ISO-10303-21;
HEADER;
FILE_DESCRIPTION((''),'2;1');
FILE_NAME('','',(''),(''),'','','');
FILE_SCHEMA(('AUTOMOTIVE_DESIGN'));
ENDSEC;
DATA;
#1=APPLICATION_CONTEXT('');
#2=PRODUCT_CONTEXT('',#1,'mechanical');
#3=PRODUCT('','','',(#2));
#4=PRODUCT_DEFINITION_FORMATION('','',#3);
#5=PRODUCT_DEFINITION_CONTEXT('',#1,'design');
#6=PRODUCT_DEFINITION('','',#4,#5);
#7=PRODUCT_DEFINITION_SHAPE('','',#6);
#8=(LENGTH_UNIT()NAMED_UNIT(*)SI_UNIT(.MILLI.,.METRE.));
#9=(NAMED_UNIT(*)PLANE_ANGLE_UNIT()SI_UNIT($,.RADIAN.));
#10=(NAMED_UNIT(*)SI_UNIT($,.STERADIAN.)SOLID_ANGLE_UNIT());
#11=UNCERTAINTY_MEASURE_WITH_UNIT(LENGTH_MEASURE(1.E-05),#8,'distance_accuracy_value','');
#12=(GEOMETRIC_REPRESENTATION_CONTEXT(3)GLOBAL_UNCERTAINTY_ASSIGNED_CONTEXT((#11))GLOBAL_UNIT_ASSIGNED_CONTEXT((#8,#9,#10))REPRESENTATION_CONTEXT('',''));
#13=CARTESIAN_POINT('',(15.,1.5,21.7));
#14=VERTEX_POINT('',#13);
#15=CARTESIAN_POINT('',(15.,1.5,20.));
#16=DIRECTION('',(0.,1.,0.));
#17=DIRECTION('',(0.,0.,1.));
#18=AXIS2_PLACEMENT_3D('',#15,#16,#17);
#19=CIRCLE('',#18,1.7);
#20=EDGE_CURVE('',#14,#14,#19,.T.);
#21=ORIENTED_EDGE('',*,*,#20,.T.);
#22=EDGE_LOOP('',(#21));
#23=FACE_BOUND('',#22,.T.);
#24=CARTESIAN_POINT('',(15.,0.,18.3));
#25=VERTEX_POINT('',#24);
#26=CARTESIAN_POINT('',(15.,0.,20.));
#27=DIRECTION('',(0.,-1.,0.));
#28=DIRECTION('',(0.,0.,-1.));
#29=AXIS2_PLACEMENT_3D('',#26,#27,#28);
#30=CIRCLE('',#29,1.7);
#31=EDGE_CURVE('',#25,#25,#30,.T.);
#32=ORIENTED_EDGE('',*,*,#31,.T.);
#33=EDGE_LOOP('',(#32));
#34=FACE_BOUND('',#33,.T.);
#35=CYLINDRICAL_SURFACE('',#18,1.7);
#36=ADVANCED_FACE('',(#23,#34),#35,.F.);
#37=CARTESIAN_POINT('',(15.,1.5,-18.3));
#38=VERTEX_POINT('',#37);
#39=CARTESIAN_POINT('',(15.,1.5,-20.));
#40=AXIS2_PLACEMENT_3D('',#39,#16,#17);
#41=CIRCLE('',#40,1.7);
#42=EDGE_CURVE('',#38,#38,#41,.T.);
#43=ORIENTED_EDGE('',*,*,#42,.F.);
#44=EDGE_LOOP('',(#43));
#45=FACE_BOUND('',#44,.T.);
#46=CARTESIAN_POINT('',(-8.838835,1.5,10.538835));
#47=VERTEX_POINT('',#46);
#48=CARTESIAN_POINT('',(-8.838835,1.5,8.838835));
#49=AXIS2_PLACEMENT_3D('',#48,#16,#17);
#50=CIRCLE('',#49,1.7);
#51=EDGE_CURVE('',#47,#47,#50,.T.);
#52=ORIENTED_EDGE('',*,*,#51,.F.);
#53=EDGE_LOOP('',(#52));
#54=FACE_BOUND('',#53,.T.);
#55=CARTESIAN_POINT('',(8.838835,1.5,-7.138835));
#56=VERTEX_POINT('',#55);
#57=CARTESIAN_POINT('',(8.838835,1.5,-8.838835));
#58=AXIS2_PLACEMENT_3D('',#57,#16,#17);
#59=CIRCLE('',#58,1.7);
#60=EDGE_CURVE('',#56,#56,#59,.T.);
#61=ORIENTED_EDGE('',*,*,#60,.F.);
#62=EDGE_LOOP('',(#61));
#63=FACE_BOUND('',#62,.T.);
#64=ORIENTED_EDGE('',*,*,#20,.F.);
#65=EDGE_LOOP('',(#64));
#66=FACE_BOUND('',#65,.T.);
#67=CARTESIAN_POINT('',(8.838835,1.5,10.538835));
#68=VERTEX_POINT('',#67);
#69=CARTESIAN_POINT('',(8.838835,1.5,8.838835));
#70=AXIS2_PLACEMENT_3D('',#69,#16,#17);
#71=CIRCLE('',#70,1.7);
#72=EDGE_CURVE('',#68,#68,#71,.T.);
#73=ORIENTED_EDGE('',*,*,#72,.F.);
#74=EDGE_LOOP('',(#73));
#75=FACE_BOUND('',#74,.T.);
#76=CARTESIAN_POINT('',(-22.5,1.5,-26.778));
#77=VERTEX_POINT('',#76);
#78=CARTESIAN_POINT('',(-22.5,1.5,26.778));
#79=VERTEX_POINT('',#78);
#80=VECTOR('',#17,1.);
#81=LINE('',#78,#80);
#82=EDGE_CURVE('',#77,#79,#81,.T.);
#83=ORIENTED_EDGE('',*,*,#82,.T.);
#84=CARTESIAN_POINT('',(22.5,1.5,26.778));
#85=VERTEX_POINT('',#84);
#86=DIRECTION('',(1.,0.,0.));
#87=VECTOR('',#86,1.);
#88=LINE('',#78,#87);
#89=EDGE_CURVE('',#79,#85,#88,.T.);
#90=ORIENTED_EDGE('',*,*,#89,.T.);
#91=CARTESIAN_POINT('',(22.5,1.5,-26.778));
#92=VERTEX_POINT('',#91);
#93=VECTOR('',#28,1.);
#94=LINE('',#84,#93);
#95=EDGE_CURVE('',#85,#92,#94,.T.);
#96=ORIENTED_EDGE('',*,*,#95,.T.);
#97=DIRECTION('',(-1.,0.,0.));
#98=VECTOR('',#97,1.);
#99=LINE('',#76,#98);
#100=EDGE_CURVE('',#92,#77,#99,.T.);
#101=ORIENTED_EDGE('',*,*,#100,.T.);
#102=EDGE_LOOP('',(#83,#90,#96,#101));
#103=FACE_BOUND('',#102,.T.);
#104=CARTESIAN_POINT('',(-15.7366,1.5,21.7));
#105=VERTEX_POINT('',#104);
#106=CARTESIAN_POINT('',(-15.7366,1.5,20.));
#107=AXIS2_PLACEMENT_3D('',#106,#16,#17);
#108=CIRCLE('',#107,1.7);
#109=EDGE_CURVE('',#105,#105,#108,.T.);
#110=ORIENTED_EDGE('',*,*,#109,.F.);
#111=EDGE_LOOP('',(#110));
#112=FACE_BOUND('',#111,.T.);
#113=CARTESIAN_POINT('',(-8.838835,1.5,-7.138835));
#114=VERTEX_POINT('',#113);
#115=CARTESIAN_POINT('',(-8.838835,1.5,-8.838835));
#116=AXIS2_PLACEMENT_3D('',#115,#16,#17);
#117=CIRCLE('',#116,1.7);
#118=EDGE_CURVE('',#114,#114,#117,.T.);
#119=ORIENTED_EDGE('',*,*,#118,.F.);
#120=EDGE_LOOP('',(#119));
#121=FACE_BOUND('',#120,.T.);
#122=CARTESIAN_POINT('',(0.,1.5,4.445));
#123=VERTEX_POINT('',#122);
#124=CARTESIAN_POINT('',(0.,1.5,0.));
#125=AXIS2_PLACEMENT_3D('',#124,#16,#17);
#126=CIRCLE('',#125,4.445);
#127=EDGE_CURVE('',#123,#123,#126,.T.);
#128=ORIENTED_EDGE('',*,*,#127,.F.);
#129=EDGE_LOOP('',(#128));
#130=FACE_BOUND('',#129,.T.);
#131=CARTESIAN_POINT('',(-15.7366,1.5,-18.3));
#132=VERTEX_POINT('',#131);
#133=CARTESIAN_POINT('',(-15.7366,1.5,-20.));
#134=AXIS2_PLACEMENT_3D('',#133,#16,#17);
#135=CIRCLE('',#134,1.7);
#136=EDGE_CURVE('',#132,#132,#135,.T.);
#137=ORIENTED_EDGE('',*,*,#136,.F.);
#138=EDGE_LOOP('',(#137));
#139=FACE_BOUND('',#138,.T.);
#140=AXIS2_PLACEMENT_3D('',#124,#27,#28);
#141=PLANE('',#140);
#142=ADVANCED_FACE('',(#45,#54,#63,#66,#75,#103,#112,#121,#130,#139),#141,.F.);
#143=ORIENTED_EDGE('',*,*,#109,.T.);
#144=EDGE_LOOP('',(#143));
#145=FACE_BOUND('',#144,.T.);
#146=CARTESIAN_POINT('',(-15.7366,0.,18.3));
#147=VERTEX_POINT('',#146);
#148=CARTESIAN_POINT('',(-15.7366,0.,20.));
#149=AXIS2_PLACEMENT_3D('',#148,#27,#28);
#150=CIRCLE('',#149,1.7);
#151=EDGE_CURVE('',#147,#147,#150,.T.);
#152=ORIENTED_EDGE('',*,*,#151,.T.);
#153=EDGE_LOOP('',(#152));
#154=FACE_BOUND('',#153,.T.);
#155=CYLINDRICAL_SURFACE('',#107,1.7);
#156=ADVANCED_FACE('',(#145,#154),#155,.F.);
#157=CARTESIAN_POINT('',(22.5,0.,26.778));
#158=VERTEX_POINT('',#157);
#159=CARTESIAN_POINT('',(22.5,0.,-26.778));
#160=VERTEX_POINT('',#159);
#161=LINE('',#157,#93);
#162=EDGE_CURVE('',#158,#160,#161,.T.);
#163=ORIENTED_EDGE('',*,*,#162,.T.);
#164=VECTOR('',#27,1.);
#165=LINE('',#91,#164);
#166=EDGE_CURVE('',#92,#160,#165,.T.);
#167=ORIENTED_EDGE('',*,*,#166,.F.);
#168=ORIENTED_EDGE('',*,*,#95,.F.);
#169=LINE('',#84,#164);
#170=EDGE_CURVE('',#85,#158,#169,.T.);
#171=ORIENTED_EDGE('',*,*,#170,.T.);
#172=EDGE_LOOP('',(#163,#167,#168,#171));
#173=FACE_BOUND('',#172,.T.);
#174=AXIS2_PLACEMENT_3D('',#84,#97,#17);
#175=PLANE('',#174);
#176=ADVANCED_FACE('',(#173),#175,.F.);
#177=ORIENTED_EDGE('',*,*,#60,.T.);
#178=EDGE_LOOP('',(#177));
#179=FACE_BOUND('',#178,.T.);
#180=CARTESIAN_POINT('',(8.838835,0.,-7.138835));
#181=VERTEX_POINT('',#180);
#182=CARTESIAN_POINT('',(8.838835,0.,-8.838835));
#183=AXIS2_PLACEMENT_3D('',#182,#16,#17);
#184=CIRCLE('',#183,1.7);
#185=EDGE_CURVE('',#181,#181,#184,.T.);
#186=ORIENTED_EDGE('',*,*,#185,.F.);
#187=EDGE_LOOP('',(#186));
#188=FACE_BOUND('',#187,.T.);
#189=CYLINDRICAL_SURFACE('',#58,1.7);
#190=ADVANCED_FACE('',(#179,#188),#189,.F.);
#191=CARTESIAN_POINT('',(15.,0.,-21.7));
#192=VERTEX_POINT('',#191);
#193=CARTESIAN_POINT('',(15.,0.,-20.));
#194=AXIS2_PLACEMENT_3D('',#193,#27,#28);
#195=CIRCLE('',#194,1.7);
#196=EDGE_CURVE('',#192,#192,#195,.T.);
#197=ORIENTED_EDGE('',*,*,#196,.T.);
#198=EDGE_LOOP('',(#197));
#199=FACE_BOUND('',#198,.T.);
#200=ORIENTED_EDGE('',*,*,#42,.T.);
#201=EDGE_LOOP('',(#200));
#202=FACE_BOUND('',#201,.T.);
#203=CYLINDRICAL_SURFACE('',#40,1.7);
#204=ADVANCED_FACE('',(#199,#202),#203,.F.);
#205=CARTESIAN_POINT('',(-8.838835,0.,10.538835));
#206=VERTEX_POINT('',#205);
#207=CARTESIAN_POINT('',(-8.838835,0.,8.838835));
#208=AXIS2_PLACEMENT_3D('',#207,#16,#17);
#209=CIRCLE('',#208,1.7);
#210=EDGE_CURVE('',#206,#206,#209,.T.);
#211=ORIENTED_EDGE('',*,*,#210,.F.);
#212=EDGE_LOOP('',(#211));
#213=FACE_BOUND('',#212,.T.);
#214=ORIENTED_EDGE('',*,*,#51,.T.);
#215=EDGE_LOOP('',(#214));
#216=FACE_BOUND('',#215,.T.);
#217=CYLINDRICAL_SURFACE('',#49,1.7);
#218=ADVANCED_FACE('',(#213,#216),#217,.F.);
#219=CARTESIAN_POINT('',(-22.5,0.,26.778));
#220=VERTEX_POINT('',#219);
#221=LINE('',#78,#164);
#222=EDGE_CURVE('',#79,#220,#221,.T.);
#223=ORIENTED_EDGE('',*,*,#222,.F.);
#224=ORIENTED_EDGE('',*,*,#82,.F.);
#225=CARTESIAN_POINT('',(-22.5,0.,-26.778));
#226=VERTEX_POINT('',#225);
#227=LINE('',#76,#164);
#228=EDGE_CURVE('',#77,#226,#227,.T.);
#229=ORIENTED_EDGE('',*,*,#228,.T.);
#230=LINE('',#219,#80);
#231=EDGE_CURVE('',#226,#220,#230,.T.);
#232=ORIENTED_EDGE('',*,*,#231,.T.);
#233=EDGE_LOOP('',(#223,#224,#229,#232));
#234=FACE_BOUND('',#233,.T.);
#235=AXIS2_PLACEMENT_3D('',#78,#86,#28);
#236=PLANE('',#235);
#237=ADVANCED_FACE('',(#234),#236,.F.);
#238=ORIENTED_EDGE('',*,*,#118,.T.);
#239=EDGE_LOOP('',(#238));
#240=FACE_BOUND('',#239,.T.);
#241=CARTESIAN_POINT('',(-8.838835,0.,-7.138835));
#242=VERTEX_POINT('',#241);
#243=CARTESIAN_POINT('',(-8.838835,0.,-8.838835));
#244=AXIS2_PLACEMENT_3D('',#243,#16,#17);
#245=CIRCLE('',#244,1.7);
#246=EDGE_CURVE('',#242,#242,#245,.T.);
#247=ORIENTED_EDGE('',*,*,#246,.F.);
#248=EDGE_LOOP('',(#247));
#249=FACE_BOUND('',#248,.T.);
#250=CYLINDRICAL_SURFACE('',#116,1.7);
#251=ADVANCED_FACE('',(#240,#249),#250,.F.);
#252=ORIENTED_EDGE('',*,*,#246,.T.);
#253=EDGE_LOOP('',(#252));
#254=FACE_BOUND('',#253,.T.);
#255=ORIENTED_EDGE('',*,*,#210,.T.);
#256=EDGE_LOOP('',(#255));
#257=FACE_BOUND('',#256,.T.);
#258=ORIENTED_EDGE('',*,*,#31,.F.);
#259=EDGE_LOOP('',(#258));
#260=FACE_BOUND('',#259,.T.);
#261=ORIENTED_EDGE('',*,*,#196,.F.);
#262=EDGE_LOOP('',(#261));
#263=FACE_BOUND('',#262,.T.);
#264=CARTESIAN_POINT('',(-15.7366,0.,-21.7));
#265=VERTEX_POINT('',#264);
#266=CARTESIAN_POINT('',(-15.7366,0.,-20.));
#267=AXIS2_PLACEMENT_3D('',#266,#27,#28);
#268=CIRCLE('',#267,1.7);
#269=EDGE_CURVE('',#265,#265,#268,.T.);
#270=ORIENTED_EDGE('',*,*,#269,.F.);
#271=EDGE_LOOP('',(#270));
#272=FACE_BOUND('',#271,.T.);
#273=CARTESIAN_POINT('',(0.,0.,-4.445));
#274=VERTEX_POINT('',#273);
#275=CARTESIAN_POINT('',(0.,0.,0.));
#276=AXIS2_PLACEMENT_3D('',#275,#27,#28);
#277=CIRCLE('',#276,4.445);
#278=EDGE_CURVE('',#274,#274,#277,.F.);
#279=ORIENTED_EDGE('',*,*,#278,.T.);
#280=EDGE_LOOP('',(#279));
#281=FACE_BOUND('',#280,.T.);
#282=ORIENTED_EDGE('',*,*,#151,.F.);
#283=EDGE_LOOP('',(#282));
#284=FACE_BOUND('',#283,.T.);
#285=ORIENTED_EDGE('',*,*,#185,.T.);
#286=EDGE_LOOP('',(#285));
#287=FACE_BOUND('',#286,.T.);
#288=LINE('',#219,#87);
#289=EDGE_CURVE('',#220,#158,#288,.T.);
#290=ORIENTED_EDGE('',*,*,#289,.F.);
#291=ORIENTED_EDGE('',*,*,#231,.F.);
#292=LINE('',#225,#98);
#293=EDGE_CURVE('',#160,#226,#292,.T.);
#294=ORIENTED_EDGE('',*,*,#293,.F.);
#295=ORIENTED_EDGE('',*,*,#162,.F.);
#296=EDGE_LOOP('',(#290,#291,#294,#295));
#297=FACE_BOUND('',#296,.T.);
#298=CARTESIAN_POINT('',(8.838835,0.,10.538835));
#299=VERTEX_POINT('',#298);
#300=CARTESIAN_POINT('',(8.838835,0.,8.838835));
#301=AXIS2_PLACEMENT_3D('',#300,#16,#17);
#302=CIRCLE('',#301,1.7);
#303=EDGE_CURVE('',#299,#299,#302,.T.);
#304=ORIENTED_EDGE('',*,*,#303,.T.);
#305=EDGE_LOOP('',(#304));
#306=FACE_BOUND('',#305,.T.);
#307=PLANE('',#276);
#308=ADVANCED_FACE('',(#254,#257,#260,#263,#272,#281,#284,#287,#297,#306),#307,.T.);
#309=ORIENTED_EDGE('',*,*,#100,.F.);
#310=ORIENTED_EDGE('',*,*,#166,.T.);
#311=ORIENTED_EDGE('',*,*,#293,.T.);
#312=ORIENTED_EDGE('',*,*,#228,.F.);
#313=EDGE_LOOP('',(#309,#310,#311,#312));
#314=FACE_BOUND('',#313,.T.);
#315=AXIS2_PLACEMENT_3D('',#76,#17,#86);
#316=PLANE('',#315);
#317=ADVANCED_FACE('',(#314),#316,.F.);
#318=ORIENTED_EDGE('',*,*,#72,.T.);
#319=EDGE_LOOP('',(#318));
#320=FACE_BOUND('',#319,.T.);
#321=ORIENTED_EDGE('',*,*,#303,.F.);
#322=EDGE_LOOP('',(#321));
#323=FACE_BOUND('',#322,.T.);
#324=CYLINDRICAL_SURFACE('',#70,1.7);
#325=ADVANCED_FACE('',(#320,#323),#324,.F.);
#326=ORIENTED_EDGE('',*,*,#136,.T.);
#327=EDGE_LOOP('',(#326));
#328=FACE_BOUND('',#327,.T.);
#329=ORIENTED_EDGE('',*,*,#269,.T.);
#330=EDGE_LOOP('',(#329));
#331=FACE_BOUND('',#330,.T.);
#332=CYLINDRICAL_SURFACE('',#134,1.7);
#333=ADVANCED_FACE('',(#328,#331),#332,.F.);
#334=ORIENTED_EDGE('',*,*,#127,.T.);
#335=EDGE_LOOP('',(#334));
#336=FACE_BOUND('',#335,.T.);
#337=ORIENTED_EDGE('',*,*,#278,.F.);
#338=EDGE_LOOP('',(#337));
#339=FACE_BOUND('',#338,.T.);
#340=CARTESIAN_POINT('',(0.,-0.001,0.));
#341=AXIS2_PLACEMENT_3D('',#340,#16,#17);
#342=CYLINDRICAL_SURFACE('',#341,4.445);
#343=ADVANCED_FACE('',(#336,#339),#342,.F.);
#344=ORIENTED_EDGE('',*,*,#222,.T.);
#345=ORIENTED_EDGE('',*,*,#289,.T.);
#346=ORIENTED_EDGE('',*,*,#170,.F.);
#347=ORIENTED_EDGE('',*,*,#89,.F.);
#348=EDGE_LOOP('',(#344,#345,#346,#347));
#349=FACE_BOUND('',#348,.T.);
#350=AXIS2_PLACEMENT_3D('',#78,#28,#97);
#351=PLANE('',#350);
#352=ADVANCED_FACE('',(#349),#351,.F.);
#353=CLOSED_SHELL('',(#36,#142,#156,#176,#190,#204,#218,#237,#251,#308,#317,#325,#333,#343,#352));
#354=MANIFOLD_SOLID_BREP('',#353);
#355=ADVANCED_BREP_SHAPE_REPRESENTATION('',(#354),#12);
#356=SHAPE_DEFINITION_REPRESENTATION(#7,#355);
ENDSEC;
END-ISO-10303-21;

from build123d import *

# Parameters (mm, degrees)
SKETCH2_W            = 45
SKETCH2_H            = 53.556000076
BOSS_EXTRUDE1_DEPTH  = 1.5
M3_CLEARANCE_HOLE_D  = 3.4
M3_CLEARANCE_HOLE1_D = 3.4
CUT_EXTRUDE1_REACH   = 37.008
SKETCH17_R           = 4.445


with BuildPart() as part:
    # Sketch2 → Boss-Extrude1 (new body)
    with BuildSketch(Plane(origin=(0, 0, 0), x_dir=(1, 0, 0), z_dir=(0, 1, 0))):
        Rectangle(SKETCH2_W, SKETCH2_H)
    extrude(amount=BOSS_EXTRUDE1_DEPTH)

    # M3 Clearance Hole (through all)
    with Locations(Plane(origin=(0, 1.5, 0), x_dir=(1, 0, 0), z_dir=(0, 1, 0))):
        with Locations((-15.736599944, 20), (15, 20), (15, -20), (-15.736599944, -20), (0, 0)):
            Hole(M3_CLEARANCE_HOLE_D / 2)

    # M3 Clearance Hole1 (through all)
    with Locations(Plane(origin=(0, 1.5, 0), x_dir=(1, 0, 0), z_dir=(0, 1, 0))):
        with Locations((-8.838834765, -8.838834765), (-8.838834765, 8.838834765), (8.838834765, -8.838834765), (8.838834765, 8.838834765)):
            Hole(M3_CLEARANCE_HOLE1_D / 2)

    # Sketch17 → Cut-Extrude1 (cut, up to next)
    with BuildSketch(Plane(origin=(0, 1.5, 0), x_dir=(1, 0, 0), z_dir=(0, 1, 0)), mode=Mode.PRIVATE) as cut_extrude1_sk1:
        with Locations(Location((0, 0, 0), (0, 0, 270))):
            Circle(SKETCH17_R)
    cut_extrude1_tool1 = extrude(cut_extrude1_sk1.sketch, amount=-CUT_EXTRUDE1_REACH, mode=Mode.PRIVATE) & part.part
    add(cut_extrude1_tool1.solids().sort_by_distance((0, 1.5, 0))[0], mode=Mode.SUBTRACT)


solid = part.part
